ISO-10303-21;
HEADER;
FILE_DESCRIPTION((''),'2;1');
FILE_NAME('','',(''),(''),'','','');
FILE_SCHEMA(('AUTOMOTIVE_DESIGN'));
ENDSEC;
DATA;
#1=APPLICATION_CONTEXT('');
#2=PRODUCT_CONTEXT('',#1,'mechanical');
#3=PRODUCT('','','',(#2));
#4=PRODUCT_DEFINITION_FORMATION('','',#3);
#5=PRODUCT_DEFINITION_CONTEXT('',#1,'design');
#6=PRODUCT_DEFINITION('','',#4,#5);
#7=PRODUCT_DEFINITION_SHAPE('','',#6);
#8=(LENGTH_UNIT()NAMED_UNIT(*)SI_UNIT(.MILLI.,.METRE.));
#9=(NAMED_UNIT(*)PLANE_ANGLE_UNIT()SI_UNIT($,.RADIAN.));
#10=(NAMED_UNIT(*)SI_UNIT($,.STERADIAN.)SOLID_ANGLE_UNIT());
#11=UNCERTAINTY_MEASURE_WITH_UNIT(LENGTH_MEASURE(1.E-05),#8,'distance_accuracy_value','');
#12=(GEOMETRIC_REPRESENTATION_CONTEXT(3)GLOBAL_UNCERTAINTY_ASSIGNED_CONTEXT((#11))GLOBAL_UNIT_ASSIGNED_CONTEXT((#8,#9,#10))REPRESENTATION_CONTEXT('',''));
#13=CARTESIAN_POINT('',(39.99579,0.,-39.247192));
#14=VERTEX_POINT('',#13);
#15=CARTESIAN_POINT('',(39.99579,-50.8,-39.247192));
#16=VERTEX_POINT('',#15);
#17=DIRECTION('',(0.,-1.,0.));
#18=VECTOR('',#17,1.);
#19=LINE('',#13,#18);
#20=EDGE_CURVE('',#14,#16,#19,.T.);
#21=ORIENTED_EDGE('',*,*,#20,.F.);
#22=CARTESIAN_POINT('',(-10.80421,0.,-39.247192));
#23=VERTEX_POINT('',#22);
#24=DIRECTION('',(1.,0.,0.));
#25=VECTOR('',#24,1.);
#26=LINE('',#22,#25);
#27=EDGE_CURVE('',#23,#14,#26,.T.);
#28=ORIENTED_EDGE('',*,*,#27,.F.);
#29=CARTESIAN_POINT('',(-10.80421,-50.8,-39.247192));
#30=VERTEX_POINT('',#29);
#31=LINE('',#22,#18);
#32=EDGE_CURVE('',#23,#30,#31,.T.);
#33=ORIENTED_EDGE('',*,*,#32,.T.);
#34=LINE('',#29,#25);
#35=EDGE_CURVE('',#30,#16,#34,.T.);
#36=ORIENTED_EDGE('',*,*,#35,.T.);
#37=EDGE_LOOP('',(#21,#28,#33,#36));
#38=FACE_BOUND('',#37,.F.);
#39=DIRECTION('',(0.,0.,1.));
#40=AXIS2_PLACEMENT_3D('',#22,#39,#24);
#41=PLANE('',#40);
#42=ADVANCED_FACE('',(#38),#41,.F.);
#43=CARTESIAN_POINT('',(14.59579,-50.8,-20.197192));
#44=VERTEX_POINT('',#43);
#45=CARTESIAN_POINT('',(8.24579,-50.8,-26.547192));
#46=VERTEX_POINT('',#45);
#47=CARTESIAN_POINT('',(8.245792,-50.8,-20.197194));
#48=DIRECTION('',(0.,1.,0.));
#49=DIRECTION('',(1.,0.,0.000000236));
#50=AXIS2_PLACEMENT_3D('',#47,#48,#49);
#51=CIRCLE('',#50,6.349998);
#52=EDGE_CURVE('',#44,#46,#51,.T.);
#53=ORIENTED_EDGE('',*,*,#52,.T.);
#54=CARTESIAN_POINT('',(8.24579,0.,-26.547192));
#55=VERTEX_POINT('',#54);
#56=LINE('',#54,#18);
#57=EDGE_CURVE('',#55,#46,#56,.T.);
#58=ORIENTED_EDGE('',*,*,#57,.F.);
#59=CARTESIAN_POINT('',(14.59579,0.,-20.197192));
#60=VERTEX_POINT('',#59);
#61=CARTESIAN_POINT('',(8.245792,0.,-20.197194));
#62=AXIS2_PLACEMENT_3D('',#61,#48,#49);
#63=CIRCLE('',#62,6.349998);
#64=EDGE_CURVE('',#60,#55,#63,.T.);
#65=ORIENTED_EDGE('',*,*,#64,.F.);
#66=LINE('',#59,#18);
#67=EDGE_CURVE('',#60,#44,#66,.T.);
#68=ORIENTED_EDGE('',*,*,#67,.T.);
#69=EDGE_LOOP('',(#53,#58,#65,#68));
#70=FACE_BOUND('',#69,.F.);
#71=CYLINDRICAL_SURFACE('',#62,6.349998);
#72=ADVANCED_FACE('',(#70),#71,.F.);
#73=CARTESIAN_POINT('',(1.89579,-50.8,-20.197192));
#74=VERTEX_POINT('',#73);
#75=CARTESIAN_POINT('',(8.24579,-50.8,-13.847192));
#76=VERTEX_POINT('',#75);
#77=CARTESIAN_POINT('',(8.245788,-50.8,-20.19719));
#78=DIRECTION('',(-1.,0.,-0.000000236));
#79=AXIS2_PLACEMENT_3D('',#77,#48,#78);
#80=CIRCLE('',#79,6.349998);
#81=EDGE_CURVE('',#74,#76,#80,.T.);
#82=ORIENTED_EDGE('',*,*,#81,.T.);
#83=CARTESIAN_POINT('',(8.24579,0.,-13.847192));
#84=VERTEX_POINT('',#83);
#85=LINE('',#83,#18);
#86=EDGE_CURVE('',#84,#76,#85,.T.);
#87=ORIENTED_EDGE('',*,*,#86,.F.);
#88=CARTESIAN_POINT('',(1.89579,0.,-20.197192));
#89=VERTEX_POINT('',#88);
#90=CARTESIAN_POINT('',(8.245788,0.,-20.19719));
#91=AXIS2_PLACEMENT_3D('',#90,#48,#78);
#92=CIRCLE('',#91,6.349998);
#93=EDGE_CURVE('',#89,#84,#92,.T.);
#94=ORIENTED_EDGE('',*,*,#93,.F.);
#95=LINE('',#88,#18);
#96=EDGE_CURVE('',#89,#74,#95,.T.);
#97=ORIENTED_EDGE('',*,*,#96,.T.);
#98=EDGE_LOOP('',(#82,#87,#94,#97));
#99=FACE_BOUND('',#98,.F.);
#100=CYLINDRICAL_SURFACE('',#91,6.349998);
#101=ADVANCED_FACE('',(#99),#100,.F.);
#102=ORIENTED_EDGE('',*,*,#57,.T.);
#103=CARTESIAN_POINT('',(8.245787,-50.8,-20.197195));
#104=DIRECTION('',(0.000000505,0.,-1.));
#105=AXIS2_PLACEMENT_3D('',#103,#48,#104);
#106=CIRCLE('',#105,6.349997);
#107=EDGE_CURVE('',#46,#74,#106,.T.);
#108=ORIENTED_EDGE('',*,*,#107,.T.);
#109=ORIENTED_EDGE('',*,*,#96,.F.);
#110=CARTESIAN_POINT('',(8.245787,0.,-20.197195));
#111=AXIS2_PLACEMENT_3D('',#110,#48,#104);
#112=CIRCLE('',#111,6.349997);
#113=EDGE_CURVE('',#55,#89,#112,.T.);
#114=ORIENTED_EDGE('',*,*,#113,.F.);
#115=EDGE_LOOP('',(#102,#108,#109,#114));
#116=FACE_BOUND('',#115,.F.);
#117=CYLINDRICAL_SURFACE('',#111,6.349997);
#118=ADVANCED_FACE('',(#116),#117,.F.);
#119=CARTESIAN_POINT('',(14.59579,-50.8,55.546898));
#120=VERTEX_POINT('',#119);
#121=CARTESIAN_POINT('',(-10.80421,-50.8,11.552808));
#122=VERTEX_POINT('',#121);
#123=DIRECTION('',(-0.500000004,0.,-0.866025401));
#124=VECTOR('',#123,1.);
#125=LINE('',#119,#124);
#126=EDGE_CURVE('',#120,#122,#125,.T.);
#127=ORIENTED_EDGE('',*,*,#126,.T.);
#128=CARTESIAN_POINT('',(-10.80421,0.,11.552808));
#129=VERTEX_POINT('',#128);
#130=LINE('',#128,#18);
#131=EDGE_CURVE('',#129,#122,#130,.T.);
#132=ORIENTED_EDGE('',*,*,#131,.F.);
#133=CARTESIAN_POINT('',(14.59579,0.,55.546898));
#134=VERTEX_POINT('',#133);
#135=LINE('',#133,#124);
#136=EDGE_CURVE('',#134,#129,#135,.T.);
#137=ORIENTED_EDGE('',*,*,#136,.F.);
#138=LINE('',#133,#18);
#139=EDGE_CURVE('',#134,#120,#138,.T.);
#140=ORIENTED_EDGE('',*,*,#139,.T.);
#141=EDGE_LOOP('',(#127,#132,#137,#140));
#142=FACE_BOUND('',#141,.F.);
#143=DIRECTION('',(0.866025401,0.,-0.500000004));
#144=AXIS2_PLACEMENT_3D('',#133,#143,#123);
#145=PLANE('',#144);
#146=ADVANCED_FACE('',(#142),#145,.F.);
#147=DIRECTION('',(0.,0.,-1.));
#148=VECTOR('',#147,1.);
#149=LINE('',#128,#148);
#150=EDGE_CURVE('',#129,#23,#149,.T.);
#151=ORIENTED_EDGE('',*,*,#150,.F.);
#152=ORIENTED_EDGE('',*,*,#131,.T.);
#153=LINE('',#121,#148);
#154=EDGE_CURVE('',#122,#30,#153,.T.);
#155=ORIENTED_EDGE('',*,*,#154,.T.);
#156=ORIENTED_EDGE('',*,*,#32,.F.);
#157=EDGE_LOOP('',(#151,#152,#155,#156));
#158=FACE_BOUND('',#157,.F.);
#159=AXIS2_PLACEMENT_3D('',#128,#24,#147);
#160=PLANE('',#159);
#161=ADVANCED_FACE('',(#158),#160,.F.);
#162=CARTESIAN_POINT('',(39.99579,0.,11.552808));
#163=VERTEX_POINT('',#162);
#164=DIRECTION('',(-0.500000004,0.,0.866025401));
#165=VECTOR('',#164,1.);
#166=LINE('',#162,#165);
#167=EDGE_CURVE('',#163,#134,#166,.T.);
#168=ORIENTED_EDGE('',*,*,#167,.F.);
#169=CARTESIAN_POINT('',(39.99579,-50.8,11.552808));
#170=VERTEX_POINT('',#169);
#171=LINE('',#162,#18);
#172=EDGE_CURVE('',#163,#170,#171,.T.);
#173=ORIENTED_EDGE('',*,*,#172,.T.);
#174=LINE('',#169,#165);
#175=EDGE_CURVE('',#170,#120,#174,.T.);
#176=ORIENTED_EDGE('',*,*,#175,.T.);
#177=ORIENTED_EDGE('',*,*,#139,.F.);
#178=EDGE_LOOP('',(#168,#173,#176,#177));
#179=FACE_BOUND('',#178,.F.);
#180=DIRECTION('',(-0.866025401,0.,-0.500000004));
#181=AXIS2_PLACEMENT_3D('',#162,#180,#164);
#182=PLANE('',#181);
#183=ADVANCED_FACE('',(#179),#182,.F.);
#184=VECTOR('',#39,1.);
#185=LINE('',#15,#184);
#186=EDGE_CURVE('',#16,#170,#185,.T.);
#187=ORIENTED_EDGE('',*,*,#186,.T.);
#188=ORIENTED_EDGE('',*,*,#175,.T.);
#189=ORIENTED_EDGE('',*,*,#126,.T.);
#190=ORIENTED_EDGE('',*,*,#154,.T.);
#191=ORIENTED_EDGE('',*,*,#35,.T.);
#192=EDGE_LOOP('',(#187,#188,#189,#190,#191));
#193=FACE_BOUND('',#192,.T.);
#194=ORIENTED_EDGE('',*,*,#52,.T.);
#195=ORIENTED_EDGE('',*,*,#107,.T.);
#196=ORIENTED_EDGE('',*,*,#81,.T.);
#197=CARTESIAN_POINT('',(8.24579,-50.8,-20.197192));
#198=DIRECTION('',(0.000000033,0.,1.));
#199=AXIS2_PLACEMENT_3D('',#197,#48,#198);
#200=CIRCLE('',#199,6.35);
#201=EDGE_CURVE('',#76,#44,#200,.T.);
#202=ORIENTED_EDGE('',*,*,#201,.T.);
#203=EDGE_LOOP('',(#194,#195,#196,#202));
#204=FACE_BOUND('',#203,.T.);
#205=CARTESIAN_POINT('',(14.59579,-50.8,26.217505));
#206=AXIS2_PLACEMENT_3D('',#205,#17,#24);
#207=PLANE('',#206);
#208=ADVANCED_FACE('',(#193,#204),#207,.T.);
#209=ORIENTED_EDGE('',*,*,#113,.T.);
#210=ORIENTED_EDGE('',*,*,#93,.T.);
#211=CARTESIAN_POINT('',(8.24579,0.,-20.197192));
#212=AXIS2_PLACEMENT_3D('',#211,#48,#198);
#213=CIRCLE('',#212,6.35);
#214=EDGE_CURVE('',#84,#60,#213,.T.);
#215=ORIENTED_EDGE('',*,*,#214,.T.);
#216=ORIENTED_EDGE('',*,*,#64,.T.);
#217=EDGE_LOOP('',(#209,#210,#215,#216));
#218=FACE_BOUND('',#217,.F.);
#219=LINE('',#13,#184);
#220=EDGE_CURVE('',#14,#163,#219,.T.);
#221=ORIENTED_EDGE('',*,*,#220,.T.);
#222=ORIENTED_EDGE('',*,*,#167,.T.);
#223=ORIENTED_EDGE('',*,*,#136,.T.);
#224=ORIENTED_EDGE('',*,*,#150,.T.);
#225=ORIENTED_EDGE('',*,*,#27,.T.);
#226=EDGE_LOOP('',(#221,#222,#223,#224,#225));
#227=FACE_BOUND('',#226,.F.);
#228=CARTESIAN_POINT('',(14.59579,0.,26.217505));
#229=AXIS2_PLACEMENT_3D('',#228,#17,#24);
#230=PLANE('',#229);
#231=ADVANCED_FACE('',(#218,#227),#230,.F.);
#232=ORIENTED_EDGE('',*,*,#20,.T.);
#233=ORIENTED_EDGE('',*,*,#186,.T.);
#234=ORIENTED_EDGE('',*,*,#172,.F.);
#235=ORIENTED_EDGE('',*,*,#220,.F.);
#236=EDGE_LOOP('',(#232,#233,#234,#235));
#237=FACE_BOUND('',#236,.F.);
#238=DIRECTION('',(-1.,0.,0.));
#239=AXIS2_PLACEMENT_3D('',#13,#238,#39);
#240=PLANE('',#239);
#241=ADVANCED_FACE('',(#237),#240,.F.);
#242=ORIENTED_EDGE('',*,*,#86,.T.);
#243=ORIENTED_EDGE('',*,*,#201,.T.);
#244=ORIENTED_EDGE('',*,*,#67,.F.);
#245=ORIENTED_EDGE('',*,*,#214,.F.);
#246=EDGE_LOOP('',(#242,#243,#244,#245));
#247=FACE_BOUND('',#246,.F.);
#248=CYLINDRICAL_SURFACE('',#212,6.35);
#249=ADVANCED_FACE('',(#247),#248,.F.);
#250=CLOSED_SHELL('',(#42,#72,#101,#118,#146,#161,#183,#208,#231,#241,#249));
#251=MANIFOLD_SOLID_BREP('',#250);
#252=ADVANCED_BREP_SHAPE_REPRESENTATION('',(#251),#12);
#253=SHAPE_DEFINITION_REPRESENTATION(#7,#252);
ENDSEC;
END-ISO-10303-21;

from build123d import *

# Parameters (mm, degrees)
F1_DEPTH = 50.8


with BuildPart() as f1:
    # F0 (on Front) → F1 (new body)
    with BuildSketch(Plane.XZ):
        Polygon((14.59579, 55.546898), (-10.80421, 11.552808), (8.24579, 11.552808), (39.99579, 11.552808), align=None)
        with BuildLine():
            Line((8.24579, 11.552808), (-10.80421, 11.552808))
            Line((-10.80421, 11.552808), (-10.80421, -20.197192))
            Line((-10.80421, -20.197192), (1.89579, -20.197192))
            ThreePointArc((1.89579, -20.197192), (3.755661, -15.707064), (8.24579, -13.847192))
            Line((8.24579, -13.847192), (8.24579, 11.552808))
        make_face()
        with BuildLine():
            Line((39.99579, 11.552808), (8.24579, 11.552808))
            Line((8.24579, 11.552808), (8.24579, -13.847192))
            ThreePointArc((8.24579, -13.847192), (12.735918, -15.707064), (14.59579, -20.197192))
            Line((14.59579, -20.197192), (39.99579, -20.197192))
            Line((39.99579, -20.197192), (39.99579, 11.552808))
        make_face()
        with BuildLine():
            Line((1.89579, -20.197192), (-10.80421, -20.197192))
            Line((-10.80421, -20.197192), (-10.80421, -39.247192))
            Line((-10.80421, -39.247192), (8.24579, -39.247192))
            Line((8.24579, -39.247192), (8.24579, -26.547192))
            ThreePointArc((8.24579, -26.547192), (3.755661, -24.687321), (1.89579, -20.197192))
        make_face()
        with BuildLine():
            Line((39.99579, -39.247192), (39.99579, -20.197192))
            Line((39.99579, -20.197192), (14.59579, -20.197192))
            ThreePointArc((14.59579, -20.197192), (12.735918, -24.687321), (8.24579, -26.547192))
            Line((8.24579, -26.547192), (8.24579, -39.247192))
            Line((8.24579, -39.247192), (39.99579, -39.247192))
        make_face()
    extrude(amount=F1_DEPTH)


solid = f1.part
